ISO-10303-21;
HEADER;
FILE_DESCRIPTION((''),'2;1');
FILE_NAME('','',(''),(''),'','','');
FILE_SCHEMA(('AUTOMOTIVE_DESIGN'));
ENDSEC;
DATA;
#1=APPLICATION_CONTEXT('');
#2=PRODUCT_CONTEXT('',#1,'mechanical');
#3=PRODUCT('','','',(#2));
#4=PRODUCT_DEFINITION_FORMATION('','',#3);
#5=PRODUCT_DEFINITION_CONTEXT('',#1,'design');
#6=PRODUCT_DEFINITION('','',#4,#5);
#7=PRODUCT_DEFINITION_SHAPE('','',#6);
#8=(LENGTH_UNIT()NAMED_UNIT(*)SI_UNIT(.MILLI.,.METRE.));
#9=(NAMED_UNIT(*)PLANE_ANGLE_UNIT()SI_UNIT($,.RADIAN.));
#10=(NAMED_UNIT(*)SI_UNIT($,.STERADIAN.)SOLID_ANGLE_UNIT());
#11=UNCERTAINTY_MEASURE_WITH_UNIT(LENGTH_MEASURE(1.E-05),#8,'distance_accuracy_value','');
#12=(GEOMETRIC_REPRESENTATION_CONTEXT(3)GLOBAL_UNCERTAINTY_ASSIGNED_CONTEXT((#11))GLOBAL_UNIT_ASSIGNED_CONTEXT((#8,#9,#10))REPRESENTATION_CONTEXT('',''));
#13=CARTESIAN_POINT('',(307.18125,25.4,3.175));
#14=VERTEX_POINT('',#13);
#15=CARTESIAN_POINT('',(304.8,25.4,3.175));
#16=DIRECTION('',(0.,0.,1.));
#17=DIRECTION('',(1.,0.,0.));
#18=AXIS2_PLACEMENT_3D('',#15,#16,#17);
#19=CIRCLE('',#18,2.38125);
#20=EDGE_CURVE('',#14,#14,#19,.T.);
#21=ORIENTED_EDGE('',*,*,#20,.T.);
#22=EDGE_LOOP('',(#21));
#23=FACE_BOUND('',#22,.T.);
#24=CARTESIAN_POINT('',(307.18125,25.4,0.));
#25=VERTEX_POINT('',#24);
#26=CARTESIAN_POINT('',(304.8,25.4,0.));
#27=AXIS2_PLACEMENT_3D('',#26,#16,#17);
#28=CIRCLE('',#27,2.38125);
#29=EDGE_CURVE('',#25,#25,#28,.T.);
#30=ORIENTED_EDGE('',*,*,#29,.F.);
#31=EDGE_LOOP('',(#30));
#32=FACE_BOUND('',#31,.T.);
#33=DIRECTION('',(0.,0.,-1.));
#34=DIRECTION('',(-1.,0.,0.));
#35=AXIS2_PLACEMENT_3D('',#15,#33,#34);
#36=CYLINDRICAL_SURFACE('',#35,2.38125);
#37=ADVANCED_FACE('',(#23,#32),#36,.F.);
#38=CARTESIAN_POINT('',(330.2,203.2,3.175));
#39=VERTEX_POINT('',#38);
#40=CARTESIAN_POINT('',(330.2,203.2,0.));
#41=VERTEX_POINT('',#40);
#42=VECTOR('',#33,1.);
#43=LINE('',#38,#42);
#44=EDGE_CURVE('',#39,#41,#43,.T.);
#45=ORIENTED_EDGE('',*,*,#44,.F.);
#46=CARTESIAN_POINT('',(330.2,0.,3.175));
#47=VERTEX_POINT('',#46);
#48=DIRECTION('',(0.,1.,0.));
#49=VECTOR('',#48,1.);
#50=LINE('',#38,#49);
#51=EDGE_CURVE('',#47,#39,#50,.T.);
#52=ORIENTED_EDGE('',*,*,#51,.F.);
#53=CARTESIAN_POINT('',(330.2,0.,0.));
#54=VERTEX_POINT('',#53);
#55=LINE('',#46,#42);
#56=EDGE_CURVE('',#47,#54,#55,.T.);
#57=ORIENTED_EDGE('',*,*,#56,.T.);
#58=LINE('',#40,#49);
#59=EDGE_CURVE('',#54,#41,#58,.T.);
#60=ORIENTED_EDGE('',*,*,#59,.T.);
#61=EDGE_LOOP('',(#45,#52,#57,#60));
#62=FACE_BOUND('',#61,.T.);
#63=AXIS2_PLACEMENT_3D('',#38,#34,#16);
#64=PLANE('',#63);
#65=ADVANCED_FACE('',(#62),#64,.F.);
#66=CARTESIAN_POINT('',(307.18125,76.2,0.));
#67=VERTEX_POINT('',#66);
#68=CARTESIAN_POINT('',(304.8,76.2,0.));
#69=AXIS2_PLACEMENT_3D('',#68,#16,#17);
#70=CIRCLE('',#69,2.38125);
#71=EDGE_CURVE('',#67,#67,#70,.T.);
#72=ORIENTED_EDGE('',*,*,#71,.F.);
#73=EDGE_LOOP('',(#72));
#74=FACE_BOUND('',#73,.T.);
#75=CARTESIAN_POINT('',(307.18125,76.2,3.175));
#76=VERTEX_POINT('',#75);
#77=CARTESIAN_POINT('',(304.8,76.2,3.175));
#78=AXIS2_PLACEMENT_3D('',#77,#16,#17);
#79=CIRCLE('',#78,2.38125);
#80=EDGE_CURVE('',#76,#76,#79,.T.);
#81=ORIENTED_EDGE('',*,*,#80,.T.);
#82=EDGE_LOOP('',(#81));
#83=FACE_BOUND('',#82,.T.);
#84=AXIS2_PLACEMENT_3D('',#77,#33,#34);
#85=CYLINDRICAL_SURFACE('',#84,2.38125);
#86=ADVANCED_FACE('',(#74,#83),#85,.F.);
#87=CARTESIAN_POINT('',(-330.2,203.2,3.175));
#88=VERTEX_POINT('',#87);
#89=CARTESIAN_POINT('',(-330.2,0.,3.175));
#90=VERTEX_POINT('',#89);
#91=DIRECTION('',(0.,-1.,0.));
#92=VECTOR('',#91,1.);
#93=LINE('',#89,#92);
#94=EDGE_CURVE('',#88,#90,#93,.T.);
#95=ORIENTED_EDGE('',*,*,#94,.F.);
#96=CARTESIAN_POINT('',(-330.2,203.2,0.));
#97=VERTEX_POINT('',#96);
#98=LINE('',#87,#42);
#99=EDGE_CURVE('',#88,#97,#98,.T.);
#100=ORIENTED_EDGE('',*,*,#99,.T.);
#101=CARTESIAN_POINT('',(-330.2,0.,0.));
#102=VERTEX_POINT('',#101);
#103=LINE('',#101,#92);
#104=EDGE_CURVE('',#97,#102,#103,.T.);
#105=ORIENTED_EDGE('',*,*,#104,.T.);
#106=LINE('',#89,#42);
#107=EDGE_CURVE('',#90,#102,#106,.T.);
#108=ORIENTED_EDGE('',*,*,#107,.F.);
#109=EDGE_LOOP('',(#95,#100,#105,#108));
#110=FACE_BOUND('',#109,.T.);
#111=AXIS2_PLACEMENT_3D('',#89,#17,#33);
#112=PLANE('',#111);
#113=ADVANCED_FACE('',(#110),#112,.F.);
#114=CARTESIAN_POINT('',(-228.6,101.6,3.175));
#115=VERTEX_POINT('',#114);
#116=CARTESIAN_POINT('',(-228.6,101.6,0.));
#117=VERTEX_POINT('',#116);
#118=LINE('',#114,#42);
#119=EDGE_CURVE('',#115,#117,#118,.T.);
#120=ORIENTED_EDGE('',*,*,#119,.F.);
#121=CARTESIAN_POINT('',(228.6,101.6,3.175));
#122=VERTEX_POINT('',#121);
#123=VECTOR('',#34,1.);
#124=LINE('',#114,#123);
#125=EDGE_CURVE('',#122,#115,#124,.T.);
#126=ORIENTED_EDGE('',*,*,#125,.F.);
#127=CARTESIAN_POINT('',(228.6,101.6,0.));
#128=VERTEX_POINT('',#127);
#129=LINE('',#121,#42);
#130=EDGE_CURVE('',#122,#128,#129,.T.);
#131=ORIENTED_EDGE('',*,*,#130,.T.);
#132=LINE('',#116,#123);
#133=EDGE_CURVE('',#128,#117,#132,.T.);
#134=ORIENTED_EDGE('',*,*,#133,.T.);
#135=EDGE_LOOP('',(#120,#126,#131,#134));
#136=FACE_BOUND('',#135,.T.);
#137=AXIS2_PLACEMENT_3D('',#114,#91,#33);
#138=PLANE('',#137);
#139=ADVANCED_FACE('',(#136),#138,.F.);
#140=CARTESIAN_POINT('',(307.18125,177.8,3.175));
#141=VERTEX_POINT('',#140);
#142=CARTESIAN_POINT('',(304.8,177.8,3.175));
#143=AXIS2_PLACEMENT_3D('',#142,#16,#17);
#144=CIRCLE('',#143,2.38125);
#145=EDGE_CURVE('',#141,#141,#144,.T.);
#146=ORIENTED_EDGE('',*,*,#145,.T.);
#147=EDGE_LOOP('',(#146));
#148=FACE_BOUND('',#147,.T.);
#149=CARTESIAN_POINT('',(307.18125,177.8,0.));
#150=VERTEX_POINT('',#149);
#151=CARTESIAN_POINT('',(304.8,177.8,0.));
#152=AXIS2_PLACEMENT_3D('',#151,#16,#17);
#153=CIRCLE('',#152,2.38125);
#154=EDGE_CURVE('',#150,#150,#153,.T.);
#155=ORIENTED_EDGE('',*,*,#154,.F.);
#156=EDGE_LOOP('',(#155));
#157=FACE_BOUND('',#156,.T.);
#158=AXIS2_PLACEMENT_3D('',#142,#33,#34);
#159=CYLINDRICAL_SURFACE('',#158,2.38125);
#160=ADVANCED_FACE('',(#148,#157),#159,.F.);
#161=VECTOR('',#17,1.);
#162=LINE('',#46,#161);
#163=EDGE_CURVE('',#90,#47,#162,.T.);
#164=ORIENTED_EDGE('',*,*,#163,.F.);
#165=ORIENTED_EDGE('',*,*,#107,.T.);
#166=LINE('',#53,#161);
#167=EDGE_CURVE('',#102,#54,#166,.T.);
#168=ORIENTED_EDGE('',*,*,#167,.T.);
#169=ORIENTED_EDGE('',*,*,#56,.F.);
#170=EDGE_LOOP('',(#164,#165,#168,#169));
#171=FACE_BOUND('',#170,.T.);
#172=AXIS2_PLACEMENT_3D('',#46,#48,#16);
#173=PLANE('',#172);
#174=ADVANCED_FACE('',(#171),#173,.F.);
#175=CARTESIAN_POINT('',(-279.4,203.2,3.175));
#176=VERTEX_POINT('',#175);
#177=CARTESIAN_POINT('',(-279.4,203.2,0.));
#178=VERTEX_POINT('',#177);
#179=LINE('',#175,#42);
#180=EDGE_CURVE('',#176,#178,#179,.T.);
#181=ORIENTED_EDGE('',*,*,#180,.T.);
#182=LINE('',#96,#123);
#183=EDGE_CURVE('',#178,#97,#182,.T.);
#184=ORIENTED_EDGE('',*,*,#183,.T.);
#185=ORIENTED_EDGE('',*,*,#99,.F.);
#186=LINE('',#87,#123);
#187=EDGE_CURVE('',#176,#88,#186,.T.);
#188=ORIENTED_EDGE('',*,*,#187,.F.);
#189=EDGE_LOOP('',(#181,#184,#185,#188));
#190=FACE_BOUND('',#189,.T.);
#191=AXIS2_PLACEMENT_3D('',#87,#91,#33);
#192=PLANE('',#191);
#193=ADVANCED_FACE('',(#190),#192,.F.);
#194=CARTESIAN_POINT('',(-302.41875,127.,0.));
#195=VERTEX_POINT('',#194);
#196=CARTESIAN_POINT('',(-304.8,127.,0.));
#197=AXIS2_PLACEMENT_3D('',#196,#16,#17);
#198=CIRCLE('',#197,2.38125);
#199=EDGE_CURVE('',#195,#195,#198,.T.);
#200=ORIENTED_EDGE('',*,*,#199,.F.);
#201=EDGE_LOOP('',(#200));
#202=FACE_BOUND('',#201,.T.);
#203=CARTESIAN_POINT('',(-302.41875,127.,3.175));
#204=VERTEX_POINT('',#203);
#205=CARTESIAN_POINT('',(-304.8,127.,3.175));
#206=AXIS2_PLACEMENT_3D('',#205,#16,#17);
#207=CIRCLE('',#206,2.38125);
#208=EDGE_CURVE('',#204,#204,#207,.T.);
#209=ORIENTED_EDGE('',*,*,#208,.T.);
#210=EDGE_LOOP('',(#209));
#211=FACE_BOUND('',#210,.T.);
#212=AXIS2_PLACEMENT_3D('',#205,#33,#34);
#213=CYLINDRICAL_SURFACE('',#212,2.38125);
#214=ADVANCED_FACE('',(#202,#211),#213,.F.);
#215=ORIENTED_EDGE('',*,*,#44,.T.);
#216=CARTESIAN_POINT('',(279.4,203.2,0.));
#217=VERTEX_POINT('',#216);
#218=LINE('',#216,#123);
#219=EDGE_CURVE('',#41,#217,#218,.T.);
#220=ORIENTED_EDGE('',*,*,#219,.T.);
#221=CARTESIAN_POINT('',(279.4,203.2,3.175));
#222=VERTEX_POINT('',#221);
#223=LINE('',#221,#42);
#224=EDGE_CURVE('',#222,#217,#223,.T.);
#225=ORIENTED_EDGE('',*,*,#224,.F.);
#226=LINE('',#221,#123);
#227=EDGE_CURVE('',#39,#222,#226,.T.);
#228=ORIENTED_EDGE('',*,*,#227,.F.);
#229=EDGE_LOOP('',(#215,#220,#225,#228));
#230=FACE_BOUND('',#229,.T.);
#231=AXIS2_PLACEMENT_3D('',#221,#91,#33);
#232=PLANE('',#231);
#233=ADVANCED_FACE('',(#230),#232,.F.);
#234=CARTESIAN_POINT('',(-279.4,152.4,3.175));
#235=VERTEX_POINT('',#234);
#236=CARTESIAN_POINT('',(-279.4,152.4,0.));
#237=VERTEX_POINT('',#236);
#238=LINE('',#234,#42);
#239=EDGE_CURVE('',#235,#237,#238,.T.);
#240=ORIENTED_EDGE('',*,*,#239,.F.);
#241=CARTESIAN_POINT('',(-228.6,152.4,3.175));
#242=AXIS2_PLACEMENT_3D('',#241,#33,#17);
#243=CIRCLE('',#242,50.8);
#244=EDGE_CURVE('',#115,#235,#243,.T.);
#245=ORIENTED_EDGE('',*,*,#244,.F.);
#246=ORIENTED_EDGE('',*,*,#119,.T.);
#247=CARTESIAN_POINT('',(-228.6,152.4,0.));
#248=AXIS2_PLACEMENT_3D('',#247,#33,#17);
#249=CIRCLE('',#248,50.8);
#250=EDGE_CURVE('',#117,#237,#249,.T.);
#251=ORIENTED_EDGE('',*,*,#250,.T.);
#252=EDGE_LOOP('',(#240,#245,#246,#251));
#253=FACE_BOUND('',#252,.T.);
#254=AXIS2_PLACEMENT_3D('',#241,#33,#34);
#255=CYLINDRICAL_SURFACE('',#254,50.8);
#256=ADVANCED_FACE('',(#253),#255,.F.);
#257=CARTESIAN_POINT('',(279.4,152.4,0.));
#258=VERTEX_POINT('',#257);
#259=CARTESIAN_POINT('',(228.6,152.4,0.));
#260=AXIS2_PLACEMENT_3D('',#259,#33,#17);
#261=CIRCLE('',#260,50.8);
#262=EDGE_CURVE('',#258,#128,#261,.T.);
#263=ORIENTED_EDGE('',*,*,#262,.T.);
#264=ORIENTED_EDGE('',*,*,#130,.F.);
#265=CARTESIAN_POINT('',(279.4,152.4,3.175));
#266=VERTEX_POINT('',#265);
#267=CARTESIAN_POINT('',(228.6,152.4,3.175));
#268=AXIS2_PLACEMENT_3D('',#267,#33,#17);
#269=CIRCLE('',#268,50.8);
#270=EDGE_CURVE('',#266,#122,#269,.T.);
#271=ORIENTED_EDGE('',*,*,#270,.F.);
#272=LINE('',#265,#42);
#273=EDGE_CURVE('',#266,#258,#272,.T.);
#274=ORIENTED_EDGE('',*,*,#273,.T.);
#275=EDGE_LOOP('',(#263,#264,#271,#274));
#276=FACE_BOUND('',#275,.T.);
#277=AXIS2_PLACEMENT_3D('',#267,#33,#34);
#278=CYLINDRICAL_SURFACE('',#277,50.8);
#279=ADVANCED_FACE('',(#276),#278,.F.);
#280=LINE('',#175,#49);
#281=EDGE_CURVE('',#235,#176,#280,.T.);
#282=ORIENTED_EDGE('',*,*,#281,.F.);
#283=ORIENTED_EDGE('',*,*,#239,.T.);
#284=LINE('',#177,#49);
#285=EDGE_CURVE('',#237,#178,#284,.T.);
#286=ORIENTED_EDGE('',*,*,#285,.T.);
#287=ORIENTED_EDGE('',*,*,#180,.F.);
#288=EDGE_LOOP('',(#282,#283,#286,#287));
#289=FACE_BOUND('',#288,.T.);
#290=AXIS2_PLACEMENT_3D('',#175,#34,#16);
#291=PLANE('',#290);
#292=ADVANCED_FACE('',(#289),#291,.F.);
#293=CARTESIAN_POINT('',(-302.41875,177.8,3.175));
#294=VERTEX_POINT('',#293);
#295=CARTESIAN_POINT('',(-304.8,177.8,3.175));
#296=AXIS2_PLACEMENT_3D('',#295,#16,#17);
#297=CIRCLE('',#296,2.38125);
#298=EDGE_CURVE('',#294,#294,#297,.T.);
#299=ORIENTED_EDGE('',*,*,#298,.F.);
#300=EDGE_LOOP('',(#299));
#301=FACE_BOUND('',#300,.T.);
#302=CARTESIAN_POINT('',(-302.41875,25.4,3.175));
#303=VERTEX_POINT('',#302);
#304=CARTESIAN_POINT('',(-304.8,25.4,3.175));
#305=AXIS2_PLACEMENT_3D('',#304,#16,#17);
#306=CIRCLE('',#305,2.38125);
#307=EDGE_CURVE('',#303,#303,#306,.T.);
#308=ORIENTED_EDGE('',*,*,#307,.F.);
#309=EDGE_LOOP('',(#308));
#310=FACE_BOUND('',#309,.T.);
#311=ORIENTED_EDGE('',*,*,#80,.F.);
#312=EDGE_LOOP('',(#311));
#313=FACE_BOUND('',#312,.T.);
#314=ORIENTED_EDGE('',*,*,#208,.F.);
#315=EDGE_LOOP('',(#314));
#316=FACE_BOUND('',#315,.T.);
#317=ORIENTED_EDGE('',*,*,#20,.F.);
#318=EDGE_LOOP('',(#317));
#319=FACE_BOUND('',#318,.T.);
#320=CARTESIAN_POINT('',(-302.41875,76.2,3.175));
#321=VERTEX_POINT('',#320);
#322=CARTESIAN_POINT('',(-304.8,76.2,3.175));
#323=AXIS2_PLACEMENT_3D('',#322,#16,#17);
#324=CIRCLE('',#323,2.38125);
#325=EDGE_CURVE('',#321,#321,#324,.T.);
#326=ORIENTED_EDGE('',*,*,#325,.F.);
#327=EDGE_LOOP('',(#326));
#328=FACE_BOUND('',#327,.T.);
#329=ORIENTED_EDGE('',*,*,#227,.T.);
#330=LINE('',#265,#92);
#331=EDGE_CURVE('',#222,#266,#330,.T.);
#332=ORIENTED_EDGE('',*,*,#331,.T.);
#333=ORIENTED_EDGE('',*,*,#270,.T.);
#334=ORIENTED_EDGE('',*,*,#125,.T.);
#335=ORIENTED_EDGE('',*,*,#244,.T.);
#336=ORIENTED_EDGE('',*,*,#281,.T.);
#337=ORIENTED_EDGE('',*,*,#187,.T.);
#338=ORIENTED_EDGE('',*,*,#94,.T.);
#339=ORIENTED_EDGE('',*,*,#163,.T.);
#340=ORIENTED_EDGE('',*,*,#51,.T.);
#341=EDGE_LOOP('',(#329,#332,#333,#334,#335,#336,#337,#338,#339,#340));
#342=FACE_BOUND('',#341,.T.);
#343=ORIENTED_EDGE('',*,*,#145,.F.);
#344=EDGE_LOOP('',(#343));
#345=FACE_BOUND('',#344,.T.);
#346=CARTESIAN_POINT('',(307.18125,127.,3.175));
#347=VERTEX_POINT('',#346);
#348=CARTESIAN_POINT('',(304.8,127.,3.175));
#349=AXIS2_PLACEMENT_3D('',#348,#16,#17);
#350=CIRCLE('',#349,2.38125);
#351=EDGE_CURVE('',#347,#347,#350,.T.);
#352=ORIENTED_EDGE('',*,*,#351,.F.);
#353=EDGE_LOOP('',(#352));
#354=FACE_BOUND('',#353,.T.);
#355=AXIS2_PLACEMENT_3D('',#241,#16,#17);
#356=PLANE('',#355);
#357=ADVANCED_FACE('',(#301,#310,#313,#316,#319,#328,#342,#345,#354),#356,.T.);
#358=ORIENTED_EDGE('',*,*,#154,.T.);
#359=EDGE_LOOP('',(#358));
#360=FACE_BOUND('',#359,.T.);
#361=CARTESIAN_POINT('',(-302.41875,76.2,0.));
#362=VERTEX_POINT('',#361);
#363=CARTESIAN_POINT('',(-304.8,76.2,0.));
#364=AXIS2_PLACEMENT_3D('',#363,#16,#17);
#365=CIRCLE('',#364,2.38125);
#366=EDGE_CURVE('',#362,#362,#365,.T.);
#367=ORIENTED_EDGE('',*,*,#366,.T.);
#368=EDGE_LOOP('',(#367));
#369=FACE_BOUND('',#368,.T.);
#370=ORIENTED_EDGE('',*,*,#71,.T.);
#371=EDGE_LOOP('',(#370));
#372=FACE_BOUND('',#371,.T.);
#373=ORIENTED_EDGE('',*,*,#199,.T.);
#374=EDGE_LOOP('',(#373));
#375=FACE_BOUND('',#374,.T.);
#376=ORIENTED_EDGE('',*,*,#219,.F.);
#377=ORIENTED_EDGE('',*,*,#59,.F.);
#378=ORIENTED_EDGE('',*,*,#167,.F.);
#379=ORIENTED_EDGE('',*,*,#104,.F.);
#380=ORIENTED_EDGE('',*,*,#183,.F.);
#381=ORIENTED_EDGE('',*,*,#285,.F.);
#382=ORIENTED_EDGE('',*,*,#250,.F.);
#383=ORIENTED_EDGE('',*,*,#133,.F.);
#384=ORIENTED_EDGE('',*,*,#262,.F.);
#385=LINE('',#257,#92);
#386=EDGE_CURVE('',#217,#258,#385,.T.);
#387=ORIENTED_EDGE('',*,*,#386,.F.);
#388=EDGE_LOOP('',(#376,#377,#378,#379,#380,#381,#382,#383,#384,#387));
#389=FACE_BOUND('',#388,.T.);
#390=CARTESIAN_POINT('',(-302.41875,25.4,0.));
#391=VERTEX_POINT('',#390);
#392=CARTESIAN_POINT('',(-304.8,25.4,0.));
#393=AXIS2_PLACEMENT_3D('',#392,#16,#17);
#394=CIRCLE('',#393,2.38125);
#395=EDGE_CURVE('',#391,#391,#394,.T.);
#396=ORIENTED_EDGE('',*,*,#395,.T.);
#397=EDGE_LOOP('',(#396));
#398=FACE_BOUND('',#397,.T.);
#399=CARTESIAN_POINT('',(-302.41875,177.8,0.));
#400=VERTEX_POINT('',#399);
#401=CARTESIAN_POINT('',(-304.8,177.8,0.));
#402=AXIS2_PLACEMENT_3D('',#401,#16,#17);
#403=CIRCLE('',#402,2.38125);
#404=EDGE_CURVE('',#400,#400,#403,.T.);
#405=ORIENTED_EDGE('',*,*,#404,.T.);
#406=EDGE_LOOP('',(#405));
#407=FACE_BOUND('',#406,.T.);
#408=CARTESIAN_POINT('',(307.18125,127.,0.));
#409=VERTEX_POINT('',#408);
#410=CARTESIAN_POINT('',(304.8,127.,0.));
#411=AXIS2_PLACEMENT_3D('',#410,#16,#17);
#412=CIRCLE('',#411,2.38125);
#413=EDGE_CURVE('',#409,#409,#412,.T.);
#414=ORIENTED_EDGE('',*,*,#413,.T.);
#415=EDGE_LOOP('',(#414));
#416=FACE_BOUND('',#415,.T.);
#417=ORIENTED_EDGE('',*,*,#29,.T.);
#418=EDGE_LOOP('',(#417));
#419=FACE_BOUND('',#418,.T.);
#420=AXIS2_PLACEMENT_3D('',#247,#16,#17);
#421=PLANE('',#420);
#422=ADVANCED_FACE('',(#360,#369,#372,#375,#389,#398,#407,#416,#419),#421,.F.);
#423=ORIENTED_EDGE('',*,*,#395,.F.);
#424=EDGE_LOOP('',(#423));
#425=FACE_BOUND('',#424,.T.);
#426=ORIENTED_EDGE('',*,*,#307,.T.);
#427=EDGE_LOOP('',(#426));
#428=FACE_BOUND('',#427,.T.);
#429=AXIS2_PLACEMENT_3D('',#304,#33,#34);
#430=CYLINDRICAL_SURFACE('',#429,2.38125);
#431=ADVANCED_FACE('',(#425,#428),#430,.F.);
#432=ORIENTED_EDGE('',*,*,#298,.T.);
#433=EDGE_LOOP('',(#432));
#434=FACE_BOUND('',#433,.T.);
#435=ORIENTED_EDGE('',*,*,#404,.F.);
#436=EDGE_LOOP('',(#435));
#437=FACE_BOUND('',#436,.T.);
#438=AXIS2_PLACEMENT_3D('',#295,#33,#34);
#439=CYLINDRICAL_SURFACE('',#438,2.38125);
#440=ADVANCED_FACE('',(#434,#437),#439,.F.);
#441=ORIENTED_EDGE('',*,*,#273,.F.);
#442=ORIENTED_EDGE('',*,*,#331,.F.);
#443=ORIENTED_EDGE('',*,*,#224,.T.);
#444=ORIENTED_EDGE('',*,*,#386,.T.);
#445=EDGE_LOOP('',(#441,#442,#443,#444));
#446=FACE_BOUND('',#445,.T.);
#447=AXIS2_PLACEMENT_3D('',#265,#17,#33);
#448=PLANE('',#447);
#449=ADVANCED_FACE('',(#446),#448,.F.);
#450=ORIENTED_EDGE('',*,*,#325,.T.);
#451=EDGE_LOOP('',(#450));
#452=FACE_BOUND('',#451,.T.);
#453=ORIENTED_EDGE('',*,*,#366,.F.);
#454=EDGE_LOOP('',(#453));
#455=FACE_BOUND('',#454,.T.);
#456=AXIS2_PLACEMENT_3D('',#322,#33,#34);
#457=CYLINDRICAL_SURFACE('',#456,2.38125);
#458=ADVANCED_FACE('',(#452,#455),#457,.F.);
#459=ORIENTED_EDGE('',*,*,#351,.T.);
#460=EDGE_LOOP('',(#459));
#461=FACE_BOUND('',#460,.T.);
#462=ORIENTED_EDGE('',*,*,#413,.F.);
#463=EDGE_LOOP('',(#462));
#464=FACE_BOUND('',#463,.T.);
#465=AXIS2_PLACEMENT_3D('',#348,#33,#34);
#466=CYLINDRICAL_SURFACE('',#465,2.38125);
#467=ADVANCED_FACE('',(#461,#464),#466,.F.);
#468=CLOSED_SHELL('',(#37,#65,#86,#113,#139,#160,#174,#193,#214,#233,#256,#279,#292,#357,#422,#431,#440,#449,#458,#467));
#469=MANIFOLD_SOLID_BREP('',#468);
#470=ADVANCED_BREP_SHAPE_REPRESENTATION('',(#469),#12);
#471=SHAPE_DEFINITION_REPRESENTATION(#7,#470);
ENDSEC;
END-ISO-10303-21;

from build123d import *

# Parameters (mm, degrees)
SKETCH1_R           = 2.38125
BOSS_EXTRUDE1_DEPTH = 3.175


with BuildPart() as part:
    # Sketch1 → Boss-Extrude1 (new body)
    with BuildSketch(Plane.XY):
        with BuildLine():
            Line((330.2, 0), (-330.2, 0))
            Line((-330.2, 0), (-330.2, 203.2))
            Line((-330.2, 203.2), (-279.4, 203.2))
            Line((-279.4, 203.2), (-279.4, 152.4))
            ThreePointArc((-279.4, 152.4), (-264.521024484, 116.478975516), (-228.6, 101.6))
            Line((-228.6, 101.6), (228.6, 101.6))
            ThreePointArc((228.6, 101.6), (264.521024484, 116.478975516), (279.4, 152.4))
            Line((279.4, 152.4), (279.4, 203.2))
            Line((279.4, 203.2), (330.2, 203.2))
            Line((330.2, 203.2), (330.2, 0))
        make_face()
        with Locations((-304.8, 177.8)):
            Circle(SKETCH1_R, mode=Mode.SUBTRACT)
        with Locations((-304.8, 127)):
            Circle(SKETCH1_R, mode=Mode.SUBTRACT)
        with Locations((-304.8, 76.2)):
            Circle(SKETCH1_R, mode=Mode.SUBTRACT)
        with Locations((-304.8, 25.4)):
            Circle(SKETCH1_R, mode=Mode.SUBTRACT)
        with Locations((304.8, 177.8)):
            Circle(SKETCH1_R, mode=Mode.SUBTRACT)
        with Locations((304.8, 127)):
            Circle(SKETCH1_R, mode=Mode.SUBTRACT)
        with Locations((304.8, 76.2)):
            Circle(SKETCH1_R, mode=Mode.SUBTRACT)
        with Locations((304.8, 25.4)):
            Circle(SKETCH1_R, mode=Mode.SUBTRACT)
    extrude(amount=BOSS_EXTRUDE1_DEPTH)


solid = part.part
